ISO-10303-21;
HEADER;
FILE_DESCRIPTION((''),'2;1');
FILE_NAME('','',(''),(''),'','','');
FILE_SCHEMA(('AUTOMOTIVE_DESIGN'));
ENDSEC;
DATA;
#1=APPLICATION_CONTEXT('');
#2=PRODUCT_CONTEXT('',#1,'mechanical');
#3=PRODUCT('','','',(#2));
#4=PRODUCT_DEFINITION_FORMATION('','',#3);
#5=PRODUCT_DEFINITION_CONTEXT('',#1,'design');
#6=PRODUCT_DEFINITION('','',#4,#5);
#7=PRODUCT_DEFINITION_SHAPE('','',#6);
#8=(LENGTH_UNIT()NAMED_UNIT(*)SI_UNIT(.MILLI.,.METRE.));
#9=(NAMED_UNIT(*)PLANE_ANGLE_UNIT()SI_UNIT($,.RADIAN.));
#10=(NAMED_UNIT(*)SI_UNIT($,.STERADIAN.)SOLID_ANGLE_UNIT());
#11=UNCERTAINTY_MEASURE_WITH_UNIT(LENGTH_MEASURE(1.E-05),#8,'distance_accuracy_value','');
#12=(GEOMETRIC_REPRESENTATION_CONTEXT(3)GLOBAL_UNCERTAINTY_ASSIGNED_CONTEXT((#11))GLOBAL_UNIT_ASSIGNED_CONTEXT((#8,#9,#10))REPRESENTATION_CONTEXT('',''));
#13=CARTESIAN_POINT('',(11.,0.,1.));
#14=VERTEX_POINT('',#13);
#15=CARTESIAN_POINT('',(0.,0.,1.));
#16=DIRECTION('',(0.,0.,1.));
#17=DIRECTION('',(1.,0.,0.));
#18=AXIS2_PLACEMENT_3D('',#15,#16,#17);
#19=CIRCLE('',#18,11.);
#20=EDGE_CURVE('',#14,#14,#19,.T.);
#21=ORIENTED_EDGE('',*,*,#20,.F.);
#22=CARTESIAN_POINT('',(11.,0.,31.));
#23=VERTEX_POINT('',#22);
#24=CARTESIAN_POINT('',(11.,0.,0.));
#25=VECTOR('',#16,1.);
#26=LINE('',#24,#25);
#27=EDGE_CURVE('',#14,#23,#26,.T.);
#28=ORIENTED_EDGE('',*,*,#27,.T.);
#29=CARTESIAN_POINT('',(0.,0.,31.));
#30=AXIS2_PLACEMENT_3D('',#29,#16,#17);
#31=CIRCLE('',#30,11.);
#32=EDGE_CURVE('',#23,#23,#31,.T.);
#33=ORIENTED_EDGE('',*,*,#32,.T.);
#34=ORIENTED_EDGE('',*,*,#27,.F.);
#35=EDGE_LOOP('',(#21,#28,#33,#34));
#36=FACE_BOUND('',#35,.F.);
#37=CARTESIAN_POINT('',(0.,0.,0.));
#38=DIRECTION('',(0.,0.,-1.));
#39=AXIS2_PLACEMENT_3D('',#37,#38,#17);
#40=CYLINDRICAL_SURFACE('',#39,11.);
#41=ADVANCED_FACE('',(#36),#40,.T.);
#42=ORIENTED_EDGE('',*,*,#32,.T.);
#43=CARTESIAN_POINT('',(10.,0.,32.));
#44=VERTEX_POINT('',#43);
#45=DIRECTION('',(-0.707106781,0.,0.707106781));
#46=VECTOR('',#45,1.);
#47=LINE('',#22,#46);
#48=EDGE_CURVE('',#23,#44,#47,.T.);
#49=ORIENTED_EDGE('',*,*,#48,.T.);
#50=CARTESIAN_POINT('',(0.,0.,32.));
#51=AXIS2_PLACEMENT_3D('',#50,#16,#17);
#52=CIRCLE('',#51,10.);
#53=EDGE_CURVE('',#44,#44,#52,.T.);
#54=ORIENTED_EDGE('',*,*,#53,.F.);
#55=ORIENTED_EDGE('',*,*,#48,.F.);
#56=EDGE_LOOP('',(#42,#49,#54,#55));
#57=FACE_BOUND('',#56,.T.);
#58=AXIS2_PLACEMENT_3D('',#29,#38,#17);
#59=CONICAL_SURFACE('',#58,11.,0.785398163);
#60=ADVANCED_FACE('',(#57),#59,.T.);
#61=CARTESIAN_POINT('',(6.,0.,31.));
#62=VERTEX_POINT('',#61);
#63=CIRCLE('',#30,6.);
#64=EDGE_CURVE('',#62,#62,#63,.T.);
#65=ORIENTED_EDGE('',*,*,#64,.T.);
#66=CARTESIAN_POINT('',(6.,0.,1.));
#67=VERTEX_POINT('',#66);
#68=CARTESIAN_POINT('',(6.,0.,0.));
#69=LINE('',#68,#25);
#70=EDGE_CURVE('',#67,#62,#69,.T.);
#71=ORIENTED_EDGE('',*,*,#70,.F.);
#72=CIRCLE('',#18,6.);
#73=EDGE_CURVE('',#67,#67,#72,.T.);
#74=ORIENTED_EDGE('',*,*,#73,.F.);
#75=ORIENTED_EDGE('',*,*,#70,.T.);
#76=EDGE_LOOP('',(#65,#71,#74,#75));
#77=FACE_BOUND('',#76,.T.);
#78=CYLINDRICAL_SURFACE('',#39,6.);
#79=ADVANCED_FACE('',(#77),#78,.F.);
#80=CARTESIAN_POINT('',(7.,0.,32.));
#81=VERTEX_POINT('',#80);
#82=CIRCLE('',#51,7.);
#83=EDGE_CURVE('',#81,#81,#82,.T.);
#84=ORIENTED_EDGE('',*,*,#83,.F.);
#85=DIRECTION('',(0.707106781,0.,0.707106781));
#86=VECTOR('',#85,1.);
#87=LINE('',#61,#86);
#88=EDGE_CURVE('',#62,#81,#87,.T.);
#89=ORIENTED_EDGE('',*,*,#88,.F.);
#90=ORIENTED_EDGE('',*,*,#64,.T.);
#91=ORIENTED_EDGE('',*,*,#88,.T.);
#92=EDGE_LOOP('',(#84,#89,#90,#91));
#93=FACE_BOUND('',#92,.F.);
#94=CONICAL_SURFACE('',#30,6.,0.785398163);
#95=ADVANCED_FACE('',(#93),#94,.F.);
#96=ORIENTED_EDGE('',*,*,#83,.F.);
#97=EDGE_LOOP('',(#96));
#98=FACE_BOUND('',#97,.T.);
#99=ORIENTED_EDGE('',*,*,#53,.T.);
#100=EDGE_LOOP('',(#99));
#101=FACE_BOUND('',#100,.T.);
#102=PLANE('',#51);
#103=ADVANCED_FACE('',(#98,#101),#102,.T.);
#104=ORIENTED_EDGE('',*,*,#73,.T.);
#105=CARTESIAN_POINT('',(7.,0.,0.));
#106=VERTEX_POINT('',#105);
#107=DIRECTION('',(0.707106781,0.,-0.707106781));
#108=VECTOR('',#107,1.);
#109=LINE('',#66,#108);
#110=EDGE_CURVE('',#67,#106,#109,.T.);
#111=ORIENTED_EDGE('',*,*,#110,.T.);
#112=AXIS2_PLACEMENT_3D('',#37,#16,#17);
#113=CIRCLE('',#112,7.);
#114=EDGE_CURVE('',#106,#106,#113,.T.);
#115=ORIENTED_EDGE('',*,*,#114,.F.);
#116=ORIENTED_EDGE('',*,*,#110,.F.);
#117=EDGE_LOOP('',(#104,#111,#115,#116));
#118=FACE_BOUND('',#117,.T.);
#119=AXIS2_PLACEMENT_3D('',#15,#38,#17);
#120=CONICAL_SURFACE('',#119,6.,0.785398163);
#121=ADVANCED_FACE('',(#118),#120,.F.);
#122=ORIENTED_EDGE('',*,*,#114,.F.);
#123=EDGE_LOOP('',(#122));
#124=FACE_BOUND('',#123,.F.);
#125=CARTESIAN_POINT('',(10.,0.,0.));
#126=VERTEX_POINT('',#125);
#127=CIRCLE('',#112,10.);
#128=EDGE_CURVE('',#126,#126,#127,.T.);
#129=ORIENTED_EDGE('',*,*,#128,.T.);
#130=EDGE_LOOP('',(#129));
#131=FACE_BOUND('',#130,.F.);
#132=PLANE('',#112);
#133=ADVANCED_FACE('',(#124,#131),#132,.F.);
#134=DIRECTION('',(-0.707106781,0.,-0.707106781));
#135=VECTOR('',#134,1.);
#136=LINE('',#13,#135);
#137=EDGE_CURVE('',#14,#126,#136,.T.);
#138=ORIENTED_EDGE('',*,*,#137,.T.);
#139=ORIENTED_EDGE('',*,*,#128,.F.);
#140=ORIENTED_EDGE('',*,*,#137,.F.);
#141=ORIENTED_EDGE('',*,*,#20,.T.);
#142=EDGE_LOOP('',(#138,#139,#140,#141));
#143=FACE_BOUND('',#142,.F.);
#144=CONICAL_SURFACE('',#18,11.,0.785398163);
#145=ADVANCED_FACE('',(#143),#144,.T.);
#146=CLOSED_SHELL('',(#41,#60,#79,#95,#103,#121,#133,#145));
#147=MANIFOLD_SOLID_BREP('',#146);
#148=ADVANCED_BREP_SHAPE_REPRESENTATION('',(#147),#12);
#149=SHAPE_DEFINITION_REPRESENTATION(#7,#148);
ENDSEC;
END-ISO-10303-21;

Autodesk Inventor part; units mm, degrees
ref_plane "YZ Plane" through (0, 0, 0) normal (1, 0, 0) x (0, 1, 0)
ref_plane "XZ Plane" through (0, 0, 0) normal (0, 1, 0) x (-1, 0, 0)
ref_plane "XY Plane" through (0, 0, 0) normal (0, 0, 1) x (1, 0, 0)
sketch "Szkic1" plane through (0, 0, 0) normal (0, 0, 1) x (1, 0, 0)
  circle A0 centre (0, 0) radius 6
  circle A1 centre (0, 0) radius 11
  dimension "d0" = 12
  dimension "d1" = 22
extrude "Wyciągnięcie proste1" add sketch "Szkic1" along normal blind 32
chamfer "Faza1" distance 1 angle 45 4 edges at (-11, 0, 32) (-6, 0, 32) (-6, 0, 0) (-11, 0, 0)
properties part number "Cartesian1_LinearBearing" material "Stal, stopowa"
